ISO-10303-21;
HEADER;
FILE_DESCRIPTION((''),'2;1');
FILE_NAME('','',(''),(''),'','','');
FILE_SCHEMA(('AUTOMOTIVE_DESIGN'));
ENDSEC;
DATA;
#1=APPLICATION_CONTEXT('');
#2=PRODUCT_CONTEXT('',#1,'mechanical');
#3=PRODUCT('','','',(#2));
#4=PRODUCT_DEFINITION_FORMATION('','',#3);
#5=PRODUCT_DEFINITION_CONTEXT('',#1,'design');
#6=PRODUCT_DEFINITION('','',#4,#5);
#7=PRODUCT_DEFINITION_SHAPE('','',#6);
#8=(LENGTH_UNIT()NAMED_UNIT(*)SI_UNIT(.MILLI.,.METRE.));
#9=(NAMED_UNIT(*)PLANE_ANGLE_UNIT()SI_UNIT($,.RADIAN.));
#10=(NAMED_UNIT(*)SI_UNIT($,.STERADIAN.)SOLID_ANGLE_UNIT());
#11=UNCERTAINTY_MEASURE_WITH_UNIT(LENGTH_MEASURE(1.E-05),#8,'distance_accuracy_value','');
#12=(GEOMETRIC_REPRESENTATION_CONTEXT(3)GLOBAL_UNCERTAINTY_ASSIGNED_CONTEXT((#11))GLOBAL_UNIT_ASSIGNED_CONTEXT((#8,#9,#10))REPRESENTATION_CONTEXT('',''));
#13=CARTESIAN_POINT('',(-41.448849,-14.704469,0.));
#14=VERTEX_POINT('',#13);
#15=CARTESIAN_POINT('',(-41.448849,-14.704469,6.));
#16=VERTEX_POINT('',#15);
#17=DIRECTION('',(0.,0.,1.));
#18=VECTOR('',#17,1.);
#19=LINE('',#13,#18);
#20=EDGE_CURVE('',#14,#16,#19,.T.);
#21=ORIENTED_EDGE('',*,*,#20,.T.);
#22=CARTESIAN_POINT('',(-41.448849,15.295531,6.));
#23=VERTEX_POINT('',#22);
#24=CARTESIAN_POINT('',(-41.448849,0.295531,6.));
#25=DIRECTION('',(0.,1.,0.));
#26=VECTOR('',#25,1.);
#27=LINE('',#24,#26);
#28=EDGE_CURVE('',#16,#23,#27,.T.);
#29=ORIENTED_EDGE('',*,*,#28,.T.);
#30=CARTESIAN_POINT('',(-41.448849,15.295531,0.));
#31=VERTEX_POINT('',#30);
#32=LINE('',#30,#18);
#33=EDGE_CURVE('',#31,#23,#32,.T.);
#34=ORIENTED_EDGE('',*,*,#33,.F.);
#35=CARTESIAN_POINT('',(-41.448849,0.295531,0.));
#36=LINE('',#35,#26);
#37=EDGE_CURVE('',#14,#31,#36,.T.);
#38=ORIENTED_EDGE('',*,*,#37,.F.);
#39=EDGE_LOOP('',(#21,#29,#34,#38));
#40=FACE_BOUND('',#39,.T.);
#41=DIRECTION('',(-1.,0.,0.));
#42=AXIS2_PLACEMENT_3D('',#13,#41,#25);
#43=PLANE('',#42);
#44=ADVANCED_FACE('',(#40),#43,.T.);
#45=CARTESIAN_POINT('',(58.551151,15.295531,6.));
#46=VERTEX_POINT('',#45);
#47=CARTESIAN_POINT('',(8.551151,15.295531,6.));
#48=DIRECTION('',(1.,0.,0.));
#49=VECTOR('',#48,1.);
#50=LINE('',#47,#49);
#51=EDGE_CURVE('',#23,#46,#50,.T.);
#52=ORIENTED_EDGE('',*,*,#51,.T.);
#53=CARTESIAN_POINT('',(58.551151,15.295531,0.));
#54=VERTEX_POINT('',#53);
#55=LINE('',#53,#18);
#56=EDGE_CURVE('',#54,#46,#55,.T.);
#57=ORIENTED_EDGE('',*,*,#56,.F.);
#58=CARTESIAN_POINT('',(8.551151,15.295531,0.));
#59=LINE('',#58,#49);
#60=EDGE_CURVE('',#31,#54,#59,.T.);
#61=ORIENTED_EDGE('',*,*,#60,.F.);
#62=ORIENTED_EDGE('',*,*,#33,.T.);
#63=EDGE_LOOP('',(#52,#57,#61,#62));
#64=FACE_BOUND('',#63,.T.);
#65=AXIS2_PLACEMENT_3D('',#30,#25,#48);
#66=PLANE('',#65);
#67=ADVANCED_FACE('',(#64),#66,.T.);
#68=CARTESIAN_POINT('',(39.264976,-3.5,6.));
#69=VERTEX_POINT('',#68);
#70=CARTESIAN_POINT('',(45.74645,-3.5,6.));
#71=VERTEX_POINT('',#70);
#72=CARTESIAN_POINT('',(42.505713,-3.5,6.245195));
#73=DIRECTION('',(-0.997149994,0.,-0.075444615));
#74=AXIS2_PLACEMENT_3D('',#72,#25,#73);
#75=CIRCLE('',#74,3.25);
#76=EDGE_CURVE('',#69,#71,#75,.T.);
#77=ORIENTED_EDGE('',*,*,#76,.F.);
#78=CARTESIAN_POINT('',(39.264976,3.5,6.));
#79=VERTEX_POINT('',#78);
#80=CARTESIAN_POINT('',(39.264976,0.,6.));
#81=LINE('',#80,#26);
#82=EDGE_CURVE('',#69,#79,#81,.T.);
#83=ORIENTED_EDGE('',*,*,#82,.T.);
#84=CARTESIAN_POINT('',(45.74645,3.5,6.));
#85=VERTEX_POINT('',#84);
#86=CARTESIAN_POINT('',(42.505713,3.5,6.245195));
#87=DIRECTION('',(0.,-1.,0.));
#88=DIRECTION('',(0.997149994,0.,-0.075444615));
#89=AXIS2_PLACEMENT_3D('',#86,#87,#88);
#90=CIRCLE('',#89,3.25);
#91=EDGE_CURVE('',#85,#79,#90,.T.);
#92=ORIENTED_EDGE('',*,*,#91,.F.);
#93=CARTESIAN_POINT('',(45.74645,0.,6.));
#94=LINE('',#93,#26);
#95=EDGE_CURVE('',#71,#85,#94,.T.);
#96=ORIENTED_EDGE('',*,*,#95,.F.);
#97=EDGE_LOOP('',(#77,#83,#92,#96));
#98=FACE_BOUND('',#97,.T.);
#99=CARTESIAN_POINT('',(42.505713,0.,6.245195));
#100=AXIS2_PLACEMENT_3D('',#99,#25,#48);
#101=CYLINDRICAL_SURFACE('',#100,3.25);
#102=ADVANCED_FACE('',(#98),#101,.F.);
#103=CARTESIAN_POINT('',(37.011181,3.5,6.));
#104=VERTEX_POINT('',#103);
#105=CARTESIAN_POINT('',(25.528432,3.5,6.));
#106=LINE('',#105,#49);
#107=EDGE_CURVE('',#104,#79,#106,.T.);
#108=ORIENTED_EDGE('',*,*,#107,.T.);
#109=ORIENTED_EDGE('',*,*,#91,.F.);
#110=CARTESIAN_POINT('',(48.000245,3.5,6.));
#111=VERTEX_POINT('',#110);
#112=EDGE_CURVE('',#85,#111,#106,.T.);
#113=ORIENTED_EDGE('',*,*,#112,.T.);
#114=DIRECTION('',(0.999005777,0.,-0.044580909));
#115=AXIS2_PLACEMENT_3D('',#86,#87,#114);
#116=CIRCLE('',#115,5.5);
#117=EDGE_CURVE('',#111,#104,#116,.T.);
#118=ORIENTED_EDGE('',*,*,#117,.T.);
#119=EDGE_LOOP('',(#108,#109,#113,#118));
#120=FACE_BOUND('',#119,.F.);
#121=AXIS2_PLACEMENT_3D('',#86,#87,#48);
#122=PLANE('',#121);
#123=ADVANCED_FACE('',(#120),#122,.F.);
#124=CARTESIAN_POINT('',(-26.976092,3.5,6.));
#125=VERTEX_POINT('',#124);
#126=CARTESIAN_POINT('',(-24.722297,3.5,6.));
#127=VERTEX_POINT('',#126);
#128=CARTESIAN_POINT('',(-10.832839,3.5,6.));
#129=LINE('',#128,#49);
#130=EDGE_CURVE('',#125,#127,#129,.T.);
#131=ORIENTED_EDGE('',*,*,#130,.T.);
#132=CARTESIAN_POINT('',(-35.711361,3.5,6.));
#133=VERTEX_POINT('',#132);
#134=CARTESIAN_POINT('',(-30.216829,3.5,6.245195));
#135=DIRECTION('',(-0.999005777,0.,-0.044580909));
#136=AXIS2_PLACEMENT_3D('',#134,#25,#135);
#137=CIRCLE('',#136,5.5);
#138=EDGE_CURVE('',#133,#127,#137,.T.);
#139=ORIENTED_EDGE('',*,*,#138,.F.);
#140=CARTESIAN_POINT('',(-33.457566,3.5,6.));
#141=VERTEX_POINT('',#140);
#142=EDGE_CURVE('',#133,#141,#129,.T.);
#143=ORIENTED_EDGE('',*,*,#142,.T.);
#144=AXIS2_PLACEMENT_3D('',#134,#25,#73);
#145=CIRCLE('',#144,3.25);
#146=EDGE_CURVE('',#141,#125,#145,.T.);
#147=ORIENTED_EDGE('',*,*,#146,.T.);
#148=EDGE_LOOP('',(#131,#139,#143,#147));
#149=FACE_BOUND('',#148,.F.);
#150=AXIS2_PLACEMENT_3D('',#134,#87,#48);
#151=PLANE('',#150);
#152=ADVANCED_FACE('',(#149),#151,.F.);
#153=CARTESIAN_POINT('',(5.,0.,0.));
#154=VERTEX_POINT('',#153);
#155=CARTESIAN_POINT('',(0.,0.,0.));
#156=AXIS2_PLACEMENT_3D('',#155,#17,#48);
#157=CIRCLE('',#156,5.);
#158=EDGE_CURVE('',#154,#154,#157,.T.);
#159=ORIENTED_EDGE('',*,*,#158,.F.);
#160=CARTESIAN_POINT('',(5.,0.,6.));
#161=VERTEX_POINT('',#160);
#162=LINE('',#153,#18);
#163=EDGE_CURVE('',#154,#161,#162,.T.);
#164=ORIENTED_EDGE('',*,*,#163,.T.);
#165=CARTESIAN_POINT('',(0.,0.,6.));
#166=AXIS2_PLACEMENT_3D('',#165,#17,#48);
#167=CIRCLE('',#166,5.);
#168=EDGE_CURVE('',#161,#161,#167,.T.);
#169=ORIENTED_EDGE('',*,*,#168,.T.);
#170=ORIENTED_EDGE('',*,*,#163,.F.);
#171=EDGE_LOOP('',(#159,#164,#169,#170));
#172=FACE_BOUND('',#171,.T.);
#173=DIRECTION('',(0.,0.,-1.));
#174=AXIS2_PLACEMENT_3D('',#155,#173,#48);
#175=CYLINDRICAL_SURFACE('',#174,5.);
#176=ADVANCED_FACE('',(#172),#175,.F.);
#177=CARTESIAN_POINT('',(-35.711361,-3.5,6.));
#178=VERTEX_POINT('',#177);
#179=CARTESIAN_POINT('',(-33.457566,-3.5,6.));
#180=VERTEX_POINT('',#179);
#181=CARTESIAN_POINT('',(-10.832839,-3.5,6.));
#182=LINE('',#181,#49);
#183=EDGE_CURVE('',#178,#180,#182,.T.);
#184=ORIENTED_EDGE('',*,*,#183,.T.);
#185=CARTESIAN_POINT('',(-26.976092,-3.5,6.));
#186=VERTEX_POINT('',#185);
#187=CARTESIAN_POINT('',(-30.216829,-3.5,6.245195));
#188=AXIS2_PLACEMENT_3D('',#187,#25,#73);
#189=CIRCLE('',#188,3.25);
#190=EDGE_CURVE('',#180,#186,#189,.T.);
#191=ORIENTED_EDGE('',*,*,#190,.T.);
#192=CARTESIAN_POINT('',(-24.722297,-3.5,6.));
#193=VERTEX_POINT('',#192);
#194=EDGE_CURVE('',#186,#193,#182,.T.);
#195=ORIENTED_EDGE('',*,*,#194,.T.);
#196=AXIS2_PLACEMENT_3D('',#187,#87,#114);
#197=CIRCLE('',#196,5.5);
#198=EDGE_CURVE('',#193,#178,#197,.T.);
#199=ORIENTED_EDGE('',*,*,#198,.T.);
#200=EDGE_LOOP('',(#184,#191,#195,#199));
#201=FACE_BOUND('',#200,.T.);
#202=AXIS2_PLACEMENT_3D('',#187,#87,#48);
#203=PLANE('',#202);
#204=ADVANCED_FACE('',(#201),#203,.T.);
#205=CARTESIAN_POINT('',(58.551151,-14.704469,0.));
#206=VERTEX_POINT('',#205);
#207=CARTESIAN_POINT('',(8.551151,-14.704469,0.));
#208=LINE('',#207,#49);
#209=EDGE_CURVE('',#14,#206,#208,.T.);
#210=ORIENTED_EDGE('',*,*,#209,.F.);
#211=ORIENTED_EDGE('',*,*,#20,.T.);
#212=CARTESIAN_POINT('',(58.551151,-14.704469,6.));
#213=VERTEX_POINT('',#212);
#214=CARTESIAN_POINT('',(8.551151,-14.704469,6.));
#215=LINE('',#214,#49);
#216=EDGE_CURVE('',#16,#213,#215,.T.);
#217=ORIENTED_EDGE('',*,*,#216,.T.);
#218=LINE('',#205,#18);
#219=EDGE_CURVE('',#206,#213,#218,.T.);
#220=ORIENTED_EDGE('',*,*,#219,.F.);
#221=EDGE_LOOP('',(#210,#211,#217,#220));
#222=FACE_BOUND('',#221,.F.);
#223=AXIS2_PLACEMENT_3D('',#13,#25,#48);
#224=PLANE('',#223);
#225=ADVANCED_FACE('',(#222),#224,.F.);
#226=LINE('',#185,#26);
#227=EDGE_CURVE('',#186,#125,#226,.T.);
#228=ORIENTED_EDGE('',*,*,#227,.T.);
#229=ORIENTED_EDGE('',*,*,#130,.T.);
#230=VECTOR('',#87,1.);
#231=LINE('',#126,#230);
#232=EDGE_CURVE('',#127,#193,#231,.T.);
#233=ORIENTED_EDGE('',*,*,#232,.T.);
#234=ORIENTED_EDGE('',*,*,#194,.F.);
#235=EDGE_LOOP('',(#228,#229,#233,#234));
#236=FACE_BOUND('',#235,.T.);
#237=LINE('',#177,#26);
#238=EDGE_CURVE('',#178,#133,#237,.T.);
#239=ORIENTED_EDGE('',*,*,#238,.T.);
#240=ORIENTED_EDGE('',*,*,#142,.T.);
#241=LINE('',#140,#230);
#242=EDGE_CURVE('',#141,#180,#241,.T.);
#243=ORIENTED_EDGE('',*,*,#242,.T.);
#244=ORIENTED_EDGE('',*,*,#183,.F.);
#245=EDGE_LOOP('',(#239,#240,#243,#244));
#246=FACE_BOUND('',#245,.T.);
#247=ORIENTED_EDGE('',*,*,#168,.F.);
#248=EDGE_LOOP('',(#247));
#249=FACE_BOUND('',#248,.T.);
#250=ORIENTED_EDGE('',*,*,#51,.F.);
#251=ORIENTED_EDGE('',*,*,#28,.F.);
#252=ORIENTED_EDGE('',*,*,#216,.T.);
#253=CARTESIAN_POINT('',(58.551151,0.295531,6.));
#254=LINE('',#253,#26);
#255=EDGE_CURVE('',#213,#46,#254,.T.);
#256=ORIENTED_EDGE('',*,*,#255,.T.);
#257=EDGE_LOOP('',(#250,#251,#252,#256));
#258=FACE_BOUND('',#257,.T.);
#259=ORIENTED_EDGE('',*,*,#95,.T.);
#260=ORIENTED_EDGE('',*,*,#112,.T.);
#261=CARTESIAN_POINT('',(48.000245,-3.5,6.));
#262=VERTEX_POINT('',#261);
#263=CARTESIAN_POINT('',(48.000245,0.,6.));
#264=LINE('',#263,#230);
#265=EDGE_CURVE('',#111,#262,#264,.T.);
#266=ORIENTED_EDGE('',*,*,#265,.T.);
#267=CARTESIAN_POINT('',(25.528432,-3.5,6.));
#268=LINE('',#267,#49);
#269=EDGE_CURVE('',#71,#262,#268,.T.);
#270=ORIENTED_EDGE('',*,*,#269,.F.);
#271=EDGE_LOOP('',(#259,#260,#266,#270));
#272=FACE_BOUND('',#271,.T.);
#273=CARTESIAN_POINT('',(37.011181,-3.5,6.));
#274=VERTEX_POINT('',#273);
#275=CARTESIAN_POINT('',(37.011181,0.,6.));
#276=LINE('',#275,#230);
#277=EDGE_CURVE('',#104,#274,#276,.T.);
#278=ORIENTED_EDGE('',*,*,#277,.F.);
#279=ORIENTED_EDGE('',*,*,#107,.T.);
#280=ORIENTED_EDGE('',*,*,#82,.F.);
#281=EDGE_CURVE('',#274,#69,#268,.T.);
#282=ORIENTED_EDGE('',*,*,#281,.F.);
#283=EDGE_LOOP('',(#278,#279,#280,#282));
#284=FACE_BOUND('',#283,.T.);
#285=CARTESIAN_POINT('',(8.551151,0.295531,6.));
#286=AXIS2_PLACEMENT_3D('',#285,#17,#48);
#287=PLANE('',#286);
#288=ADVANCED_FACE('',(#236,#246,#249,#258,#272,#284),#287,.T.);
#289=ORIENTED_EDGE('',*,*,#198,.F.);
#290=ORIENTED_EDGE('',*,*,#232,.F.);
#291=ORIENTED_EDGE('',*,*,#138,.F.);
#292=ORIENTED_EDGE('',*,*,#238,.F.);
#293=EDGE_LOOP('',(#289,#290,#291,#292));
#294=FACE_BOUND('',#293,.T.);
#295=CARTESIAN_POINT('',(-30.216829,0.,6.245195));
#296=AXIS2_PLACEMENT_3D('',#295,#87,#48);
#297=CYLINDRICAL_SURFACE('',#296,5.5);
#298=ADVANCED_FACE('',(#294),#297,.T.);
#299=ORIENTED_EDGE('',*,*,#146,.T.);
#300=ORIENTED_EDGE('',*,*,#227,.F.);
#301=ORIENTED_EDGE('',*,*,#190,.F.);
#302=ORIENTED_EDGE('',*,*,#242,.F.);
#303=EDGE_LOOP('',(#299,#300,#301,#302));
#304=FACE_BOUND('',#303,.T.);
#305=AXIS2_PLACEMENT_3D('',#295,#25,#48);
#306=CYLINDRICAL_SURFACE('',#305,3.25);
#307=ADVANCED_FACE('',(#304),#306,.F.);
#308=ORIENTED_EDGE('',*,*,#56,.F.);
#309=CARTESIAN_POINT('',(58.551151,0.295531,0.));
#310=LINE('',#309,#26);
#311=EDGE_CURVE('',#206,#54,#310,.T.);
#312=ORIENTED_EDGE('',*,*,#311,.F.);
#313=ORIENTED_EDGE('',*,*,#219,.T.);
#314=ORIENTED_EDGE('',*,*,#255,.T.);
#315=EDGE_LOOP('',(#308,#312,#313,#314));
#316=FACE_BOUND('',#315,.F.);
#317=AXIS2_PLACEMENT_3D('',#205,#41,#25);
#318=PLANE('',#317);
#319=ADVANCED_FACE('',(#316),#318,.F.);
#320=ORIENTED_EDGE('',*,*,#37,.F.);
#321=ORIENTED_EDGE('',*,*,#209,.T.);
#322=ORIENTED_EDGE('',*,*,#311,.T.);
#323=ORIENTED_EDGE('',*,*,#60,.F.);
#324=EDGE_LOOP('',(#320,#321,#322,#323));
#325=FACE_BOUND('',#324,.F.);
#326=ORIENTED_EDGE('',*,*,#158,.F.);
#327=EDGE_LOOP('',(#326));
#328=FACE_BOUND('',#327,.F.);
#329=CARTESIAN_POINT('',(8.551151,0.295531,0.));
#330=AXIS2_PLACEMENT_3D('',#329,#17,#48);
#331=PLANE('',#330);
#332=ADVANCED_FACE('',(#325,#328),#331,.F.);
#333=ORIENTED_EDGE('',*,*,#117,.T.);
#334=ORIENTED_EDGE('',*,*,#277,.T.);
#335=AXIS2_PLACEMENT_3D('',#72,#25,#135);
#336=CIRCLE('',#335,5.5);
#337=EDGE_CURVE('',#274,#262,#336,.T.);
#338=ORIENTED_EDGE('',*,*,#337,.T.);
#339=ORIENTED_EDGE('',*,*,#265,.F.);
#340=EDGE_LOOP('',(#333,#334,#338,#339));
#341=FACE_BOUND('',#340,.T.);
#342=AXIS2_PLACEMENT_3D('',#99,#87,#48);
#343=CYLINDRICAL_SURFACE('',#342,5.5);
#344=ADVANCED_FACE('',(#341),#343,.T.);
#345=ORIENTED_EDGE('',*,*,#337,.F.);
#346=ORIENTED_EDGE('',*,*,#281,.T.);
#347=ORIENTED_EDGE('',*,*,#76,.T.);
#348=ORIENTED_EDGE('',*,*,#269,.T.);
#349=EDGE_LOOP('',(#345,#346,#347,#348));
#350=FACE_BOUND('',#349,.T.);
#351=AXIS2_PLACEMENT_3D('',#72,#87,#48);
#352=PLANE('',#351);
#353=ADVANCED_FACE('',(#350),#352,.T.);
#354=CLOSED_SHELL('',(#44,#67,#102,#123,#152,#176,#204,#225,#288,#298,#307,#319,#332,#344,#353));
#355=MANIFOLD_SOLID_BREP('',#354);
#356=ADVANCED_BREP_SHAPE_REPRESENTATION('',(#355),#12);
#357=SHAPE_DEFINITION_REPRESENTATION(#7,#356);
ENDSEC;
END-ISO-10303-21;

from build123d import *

# Parameters (mm, degrees)
F0_W     = 100
F0_H     = 30
F0_R     = 5
F1_DEPTH = 6
F2_R     = 5.5
F2_R_2   = 3.25
F3_DEPTH = 3.5


with BuildPart() as f1:
    # F0 (on Top) → F1 (new body)
    with BuildSketch(Plane.XY):
        with Locations((8.551151, 0.295531)):
            Rectangle(F0_W, F0_H)
        Circle(F0_R, mode=Mode.SUBTRACT)
    extrude(amount=F1_DEPTH)

    # F2 (on Front) → F3 (join, symmetric)
    with BuildSketch(Plane.XZ):
        with Locations((-30.216829, 6.245195)):
            Circle(F2_R)
        with Locations((-30.216829, 6.245195)):
            Circle(F2_R_2, mode=Mode.SUBTRACT)
        with Locations((42.505713, 6.245195)):
            Circle(F2_R)
        with Locations((42.505713, 6.245195)):
            Circle(F2_R_2, mode=Mode.SUBTRACT)
    extrude(amount=F3_DEPTH, both=True)


solid = f1.part
